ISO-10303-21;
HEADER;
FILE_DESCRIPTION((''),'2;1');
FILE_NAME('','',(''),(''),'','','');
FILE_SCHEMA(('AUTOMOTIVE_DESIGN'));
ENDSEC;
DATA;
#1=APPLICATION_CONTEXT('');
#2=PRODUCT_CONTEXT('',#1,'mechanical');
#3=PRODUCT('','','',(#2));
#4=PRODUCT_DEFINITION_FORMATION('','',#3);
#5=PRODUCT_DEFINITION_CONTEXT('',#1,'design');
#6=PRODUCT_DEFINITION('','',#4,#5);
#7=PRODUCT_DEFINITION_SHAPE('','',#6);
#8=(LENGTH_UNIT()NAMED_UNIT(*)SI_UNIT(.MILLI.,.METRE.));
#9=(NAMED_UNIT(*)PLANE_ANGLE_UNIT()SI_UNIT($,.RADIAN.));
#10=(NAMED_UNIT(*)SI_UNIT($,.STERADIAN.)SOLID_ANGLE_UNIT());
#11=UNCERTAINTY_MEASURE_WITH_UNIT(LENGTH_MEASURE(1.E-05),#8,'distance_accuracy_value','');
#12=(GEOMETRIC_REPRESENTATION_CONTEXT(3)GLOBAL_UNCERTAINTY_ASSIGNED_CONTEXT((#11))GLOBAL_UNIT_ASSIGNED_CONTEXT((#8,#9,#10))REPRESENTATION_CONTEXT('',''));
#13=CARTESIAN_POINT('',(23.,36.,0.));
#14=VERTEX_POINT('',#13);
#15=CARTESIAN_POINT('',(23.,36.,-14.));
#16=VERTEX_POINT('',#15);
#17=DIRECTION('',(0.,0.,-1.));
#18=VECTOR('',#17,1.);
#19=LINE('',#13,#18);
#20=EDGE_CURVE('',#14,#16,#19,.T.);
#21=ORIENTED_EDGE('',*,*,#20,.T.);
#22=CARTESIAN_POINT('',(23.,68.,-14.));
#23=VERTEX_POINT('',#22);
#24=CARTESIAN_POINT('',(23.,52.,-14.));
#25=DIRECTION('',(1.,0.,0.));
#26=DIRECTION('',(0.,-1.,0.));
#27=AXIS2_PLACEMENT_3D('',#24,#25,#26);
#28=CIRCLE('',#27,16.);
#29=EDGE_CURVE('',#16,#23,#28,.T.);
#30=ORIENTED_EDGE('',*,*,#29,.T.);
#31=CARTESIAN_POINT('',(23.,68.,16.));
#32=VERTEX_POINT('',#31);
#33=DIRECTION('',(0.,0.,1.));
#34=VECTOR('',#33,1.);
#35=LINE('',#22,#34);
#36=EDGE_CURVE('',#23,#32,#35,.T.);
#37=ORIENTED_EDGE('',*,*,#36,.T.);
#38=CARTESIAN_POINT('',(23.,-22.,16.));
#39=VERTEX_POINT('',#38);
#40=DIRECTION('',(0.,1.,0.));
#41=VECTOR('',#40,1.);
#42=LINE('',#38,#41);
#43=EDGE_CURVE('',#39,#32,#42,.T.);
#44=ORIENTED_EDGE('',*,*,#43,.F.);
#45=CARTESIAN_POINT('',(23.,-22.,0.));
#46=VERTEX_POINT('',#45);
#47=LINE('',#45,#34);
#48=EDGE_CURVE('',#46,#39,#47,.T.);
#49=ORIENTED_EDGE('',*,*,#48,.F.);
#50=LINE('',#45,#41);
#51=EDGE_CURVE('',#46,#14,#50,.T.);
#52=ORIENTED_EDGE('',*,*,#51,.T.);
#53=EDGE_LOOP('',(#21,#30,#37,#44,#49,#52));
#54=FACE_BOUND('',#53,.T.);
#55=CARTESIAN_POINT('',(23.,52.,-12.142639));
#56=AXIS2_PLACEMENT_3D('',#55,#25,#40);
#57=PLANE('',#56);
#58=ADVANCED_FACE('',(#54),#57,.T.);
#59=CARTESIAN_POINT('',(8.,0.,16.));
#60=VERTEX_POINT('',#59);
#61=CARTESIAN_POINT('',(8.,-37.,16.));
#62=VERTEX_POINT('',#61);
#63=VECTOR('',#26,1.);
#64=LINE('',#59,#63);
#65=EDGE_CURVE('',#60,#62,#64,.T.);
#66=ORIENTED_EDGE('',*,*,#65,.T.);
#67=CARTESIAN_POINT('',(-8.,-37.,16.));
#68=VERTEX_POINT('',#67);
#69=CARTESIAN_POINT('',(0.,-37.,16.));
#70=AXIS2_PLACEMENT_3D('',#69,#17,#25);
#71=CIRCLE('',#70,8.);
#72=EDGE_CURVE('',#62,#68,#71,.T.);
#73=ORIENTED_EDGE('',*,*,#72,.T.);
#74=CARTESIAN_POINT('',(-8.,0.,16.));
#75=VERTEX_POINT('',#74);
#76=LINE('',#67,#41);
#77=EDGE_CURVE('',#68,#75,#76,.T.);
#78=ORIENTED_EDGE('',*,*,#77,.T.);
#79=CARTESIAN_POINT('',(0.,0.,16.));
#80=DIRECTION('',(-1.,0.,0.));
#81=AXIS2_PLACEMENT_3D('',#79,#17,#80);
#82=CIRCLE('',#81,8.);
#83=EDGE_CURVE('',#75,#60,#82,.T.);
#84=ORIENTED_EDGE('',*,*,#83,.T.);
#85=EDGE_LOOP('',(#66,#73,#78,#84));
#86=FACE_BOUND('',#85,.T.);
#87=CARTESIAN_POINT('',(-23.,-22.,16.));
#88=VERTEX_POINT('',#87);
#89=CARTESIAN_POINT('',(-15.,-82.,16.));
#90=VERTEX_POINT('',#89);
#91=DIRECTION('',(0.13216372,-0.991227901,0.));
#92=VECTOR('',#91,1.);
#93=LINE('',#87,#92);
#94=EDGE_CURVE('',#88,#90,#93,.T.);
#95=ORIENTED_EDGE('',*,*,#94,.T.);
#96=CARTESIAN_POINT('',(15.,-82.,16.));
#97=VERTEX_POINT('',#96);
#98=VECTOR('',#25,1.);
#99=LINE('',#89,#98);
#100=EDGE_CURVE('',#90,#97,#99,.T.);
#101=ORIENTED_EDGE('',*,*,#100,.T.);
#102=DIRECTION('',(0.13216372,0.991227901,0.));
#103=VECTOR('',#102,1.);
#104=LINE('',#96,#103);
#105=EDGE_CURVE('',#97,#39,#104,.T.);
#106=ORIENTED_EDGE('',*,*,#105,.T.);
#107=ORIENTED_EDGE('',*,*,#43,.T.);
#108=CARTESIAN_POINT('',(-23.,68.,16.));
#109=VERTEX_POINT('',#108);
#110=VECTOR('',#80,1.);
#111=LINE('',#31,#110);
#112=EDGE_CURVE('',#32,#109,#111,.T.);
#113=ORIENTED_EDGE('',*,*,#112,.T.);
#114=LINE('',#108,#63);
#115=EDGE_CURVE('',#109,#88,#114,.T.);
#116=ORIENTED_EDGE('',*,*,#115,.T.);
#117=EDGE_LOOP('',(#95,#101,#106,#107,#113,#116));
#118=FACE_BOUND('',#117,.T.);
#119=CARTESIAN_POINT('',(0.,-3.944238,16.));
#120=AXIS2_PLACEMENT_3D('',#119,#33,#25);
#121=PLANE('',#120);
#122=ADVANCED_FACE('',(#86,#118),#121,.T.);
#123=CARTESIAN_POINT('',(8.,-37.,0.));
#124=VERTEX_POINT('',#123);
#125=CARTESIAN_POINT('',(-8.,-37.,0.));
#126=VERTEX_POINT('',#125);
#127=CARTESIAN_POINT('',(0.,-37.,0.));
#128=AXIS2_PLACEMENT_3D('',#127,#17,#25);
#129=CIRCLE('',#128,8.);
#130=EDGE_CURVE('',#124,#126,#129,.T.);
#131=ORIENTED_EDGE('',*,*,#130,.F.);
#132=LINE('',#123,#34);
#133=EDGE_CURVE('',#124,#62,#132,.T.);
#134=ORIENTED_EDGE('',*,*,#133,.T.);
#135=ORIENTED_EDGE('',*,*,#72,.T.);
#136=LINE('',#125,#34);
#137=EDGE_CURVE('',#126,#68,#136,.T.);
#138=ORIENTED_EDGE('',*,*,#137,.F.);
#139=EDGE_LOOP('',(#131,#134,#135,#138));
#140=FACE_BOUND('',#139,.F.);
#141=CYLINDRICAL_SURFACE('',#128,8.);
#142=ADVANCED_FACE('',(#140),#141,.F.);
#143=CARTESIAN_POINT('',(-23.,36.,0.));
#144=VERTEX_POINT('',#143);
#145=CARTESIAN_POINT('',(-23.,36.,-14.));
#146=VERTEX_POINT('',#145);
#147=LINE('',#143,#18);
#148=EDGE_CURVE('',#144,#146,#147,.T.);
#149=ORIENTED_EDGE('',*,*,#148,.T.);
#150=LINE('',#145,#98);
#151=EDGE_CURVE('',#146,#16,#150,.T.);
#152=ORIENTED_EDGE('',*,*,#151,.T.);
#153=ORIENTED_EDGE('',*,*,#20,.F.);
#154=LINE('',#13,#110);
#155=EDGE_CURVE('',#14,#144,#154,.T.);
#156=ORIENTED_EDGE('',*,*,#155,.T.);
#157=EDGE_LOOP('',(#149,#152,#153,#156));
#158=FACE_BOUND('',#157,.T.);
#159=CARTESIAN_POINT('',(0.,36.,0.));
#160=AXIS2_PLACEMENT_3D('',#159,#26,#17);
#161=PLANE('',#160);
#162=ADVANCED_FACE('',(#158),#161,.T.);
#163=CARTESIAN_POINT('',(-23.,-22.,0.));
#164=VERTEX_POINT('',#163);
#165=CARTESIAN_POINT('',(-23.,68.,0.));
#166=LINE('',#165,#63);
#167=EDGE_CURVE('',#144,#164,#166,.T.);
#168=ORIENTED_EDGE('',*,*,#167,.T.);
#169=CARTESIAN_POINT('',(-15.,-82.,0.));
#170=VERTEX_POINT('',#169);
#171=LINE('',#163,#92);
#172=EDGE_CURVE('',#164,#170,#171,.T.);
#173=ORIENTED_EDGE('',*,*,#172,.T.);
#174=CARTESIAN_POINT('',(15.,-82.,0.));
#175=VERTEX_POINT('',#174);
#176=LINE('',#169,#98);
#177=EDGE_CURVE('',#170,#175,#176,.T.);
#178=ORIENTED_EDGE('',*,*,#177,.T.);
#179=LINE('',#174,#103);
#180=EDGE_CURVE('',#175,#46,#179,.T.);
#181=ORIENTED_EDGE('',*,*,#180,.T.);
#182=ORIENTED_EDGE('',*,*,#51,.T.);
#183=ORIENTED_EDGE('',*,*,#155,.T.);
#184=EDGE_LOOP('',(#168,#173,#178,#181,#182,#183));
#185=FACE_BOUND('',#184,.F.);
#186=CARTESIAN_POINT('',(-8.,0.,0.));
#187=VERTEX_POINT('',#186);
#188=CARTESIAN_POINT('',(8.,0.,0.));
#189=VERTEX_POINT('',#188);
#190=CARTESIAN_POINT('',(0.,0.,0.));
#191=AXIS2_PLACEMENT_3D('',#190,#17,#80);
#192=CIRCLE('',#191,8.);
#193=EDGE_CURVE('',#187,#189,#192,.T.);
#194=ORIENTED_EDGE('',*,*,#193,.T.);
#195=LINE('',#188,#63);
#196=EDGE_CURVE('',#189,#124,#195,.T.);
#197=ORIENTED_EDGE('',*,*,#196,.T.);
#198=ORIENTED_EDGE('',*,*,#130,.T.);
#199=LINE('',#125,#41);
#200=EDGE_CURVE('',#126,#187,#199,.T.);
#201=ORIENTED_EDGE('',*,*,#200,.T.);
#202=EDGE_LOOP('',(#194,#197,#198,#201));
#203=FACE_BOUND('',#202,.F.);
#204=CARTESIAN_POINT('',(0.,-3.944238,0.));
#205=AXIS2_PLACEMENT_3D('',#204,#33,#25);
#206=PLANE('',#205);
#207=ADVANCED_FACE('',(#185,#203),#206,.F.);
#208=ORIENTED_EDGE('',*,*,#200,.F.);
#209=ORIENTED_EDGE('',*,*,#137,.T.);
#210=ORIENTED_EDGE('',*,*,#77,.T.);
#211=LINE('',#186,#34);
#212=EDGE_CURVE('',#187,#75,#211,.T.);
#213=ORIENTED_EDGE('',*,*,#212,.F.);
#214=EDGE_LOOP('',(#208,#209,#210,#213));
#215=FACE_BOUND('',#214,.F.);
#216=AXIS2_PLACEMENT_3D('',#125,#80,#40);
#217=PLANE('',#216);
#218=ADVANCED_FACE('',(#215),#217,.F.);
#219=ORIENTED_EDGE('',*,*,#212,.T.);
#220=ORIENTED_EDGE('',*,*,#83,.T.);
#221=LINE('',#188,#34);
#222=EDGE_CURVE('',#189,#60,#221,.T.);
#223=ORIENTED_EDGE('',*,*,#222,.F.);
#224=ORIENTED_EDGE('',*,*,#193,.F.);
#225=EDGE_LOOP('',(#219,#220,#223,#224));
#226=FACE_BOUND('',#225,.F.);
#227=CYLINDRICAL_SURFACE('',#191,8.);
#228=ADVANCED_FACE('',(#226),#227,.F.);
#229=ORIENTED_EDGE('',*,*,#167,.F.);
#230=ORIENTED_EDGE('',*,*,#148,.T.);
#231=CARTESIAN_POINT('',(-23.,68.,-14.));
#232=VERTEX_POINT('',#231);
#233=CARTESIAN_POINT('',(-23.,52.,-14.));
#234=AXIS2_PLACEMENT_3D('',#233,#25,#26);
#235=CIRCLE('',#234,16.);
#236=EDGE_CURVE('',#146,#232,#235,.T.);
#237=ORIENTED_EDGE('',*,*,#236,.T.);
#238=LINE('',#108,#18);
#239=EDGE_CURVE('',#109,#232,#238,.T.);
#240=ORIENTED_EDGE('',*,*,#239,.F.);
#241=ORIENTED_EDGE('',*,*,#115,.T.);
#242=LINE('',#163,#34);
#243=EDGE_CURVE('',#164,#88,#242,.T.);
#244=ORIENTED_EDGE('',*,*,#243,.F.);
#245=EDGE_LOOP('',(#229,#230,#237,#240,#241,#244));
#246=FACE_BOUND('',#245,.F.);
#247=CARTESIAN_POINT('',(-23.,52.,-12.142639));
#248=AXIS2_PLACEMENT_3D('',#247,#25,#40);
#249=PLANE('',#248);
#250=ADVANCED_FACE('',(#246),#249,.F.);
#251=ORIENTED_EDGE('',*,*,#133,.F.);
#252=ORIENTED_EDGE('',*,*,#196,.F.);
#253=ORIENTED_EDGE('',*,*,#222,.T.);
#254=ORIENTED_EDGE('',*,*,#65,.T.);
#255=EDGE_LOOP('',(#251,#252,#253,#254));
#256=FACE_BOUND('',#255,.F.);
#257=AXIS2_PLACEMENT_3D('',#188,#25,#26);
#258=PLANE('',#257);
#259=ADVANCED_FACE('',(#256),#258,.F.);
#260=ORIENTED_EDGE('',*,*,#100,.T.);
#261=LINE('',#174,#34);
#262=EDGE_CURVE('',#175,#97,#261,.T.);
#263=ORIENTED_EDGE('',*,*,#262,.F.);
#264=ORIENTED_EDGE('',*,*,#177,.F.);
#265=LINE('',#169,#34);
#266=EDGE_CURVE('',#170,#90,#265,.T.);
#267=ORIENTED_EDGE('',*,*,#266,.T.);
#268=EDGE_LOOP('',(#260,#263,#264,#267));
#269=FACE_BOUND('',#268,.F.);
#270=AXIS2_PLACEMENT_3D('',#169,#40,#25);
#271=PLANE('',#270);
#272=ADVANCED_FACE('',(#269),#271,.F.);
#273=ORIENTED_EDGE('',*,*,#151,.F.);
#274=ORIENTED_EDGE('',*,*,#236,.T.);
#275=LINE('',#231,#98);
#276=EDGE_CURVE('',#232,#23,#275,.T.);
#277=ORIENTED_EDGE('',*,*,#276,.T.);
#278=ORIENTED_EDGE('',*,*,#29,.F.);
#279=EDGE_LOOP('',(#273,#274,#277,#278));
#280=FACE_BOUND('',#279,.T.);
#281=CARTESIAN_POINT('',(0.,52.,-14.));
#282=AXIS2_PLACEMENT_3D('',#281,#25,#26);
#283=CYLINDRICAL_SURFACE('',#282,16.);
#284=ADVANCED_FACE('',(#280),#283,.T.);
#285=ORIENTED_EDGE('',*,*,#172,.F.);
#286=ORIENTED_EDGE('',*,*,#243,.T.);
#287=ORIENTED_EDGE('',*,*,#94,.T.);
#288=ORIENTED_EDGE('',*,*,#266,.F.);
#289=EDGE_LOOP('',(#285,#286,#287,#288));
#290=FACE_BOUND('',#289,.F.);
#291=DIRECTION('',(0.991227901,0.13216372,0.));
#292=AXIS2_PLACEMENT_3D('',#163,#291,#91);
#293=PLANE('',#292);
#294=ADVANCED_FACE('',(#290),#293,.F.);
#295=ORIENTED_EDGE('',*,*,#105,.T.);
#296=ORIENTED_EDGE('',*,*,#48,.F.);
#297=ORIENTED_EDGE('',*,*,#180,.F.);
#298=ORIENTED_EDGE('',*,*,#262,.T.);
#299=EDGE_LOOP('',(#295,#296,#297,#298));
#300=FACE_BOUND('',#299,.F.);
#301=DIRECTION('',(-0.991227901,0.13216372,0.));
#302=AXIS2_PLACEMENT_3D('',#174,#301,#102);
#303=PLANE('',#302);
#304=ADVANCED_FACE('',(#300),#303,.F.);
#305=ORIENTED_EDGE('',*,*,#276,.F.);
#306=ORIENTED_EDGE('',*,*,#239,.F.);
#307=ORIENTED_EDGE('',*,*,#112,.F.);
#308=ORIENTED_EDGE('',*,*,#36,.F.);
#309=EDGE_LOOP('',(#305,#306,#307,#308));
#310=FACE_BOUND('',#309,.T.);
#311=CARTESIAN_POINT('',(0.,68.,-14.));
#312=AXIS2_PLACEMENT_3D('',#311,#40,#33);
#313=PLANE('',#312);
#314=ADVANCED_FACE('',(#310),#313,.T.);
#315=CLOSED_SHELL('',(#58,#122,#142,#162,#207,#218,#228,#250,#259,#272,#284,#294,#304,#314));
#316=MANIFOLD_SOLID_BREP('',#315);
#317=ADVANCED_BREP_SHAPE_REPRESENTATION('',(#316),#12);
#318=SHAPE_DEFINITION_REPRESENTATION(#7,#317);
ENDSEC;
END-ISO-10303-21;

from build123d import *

# Parameters (mm, degrees)
F1_DEPTH      = 16
F3_DEPTH      = 23
F3_DEPTH_BACK = 23


with BuildPart() as f1:
    # F0 (on Top) → F1 (new body)
    with BuildSketch(Plane.XY):
        Polygon((-23, 68), (-23, 0), (-23, -22), (-15, -82), (0, -82), (15, -82), (23, -22), (23, 0), (23, 68), align=None)
        with BuildLine():
            Line((-8, -37), (-8, 0))
            ThreePointArc((-8, 0), (0, 8), (8, 0))
            Line((8, 0), (8, -37))
            ThreePointArc((8, -37), (0, -45), (-8, -37))
        make_face(mode=Mode.SUBTRACT)
    extrude(amount=F1_DEPTH)

    # F2 (on Right) → F3 (join, two sides)
    with BuildSketch(Plane.YZ) as f3_sk:
        with BuildLine():
            Line((44.254033, 0), (36, 0))
            Line((36, 0), (36, -14))
            ThreePointArc((36, -14), (52, -30), (68, -14))
            Line((68, -14), (68, 0))
            Line((68, 0), (59.745967, 0))
            Line((59.745967, 0), (44.254033, 0))
        make_face()
    extrude(amount=F3_DEPTH)
    extrude(f3_sk.sketch, amount=-F3_DEPTH_BACK)


solid = f1.part
